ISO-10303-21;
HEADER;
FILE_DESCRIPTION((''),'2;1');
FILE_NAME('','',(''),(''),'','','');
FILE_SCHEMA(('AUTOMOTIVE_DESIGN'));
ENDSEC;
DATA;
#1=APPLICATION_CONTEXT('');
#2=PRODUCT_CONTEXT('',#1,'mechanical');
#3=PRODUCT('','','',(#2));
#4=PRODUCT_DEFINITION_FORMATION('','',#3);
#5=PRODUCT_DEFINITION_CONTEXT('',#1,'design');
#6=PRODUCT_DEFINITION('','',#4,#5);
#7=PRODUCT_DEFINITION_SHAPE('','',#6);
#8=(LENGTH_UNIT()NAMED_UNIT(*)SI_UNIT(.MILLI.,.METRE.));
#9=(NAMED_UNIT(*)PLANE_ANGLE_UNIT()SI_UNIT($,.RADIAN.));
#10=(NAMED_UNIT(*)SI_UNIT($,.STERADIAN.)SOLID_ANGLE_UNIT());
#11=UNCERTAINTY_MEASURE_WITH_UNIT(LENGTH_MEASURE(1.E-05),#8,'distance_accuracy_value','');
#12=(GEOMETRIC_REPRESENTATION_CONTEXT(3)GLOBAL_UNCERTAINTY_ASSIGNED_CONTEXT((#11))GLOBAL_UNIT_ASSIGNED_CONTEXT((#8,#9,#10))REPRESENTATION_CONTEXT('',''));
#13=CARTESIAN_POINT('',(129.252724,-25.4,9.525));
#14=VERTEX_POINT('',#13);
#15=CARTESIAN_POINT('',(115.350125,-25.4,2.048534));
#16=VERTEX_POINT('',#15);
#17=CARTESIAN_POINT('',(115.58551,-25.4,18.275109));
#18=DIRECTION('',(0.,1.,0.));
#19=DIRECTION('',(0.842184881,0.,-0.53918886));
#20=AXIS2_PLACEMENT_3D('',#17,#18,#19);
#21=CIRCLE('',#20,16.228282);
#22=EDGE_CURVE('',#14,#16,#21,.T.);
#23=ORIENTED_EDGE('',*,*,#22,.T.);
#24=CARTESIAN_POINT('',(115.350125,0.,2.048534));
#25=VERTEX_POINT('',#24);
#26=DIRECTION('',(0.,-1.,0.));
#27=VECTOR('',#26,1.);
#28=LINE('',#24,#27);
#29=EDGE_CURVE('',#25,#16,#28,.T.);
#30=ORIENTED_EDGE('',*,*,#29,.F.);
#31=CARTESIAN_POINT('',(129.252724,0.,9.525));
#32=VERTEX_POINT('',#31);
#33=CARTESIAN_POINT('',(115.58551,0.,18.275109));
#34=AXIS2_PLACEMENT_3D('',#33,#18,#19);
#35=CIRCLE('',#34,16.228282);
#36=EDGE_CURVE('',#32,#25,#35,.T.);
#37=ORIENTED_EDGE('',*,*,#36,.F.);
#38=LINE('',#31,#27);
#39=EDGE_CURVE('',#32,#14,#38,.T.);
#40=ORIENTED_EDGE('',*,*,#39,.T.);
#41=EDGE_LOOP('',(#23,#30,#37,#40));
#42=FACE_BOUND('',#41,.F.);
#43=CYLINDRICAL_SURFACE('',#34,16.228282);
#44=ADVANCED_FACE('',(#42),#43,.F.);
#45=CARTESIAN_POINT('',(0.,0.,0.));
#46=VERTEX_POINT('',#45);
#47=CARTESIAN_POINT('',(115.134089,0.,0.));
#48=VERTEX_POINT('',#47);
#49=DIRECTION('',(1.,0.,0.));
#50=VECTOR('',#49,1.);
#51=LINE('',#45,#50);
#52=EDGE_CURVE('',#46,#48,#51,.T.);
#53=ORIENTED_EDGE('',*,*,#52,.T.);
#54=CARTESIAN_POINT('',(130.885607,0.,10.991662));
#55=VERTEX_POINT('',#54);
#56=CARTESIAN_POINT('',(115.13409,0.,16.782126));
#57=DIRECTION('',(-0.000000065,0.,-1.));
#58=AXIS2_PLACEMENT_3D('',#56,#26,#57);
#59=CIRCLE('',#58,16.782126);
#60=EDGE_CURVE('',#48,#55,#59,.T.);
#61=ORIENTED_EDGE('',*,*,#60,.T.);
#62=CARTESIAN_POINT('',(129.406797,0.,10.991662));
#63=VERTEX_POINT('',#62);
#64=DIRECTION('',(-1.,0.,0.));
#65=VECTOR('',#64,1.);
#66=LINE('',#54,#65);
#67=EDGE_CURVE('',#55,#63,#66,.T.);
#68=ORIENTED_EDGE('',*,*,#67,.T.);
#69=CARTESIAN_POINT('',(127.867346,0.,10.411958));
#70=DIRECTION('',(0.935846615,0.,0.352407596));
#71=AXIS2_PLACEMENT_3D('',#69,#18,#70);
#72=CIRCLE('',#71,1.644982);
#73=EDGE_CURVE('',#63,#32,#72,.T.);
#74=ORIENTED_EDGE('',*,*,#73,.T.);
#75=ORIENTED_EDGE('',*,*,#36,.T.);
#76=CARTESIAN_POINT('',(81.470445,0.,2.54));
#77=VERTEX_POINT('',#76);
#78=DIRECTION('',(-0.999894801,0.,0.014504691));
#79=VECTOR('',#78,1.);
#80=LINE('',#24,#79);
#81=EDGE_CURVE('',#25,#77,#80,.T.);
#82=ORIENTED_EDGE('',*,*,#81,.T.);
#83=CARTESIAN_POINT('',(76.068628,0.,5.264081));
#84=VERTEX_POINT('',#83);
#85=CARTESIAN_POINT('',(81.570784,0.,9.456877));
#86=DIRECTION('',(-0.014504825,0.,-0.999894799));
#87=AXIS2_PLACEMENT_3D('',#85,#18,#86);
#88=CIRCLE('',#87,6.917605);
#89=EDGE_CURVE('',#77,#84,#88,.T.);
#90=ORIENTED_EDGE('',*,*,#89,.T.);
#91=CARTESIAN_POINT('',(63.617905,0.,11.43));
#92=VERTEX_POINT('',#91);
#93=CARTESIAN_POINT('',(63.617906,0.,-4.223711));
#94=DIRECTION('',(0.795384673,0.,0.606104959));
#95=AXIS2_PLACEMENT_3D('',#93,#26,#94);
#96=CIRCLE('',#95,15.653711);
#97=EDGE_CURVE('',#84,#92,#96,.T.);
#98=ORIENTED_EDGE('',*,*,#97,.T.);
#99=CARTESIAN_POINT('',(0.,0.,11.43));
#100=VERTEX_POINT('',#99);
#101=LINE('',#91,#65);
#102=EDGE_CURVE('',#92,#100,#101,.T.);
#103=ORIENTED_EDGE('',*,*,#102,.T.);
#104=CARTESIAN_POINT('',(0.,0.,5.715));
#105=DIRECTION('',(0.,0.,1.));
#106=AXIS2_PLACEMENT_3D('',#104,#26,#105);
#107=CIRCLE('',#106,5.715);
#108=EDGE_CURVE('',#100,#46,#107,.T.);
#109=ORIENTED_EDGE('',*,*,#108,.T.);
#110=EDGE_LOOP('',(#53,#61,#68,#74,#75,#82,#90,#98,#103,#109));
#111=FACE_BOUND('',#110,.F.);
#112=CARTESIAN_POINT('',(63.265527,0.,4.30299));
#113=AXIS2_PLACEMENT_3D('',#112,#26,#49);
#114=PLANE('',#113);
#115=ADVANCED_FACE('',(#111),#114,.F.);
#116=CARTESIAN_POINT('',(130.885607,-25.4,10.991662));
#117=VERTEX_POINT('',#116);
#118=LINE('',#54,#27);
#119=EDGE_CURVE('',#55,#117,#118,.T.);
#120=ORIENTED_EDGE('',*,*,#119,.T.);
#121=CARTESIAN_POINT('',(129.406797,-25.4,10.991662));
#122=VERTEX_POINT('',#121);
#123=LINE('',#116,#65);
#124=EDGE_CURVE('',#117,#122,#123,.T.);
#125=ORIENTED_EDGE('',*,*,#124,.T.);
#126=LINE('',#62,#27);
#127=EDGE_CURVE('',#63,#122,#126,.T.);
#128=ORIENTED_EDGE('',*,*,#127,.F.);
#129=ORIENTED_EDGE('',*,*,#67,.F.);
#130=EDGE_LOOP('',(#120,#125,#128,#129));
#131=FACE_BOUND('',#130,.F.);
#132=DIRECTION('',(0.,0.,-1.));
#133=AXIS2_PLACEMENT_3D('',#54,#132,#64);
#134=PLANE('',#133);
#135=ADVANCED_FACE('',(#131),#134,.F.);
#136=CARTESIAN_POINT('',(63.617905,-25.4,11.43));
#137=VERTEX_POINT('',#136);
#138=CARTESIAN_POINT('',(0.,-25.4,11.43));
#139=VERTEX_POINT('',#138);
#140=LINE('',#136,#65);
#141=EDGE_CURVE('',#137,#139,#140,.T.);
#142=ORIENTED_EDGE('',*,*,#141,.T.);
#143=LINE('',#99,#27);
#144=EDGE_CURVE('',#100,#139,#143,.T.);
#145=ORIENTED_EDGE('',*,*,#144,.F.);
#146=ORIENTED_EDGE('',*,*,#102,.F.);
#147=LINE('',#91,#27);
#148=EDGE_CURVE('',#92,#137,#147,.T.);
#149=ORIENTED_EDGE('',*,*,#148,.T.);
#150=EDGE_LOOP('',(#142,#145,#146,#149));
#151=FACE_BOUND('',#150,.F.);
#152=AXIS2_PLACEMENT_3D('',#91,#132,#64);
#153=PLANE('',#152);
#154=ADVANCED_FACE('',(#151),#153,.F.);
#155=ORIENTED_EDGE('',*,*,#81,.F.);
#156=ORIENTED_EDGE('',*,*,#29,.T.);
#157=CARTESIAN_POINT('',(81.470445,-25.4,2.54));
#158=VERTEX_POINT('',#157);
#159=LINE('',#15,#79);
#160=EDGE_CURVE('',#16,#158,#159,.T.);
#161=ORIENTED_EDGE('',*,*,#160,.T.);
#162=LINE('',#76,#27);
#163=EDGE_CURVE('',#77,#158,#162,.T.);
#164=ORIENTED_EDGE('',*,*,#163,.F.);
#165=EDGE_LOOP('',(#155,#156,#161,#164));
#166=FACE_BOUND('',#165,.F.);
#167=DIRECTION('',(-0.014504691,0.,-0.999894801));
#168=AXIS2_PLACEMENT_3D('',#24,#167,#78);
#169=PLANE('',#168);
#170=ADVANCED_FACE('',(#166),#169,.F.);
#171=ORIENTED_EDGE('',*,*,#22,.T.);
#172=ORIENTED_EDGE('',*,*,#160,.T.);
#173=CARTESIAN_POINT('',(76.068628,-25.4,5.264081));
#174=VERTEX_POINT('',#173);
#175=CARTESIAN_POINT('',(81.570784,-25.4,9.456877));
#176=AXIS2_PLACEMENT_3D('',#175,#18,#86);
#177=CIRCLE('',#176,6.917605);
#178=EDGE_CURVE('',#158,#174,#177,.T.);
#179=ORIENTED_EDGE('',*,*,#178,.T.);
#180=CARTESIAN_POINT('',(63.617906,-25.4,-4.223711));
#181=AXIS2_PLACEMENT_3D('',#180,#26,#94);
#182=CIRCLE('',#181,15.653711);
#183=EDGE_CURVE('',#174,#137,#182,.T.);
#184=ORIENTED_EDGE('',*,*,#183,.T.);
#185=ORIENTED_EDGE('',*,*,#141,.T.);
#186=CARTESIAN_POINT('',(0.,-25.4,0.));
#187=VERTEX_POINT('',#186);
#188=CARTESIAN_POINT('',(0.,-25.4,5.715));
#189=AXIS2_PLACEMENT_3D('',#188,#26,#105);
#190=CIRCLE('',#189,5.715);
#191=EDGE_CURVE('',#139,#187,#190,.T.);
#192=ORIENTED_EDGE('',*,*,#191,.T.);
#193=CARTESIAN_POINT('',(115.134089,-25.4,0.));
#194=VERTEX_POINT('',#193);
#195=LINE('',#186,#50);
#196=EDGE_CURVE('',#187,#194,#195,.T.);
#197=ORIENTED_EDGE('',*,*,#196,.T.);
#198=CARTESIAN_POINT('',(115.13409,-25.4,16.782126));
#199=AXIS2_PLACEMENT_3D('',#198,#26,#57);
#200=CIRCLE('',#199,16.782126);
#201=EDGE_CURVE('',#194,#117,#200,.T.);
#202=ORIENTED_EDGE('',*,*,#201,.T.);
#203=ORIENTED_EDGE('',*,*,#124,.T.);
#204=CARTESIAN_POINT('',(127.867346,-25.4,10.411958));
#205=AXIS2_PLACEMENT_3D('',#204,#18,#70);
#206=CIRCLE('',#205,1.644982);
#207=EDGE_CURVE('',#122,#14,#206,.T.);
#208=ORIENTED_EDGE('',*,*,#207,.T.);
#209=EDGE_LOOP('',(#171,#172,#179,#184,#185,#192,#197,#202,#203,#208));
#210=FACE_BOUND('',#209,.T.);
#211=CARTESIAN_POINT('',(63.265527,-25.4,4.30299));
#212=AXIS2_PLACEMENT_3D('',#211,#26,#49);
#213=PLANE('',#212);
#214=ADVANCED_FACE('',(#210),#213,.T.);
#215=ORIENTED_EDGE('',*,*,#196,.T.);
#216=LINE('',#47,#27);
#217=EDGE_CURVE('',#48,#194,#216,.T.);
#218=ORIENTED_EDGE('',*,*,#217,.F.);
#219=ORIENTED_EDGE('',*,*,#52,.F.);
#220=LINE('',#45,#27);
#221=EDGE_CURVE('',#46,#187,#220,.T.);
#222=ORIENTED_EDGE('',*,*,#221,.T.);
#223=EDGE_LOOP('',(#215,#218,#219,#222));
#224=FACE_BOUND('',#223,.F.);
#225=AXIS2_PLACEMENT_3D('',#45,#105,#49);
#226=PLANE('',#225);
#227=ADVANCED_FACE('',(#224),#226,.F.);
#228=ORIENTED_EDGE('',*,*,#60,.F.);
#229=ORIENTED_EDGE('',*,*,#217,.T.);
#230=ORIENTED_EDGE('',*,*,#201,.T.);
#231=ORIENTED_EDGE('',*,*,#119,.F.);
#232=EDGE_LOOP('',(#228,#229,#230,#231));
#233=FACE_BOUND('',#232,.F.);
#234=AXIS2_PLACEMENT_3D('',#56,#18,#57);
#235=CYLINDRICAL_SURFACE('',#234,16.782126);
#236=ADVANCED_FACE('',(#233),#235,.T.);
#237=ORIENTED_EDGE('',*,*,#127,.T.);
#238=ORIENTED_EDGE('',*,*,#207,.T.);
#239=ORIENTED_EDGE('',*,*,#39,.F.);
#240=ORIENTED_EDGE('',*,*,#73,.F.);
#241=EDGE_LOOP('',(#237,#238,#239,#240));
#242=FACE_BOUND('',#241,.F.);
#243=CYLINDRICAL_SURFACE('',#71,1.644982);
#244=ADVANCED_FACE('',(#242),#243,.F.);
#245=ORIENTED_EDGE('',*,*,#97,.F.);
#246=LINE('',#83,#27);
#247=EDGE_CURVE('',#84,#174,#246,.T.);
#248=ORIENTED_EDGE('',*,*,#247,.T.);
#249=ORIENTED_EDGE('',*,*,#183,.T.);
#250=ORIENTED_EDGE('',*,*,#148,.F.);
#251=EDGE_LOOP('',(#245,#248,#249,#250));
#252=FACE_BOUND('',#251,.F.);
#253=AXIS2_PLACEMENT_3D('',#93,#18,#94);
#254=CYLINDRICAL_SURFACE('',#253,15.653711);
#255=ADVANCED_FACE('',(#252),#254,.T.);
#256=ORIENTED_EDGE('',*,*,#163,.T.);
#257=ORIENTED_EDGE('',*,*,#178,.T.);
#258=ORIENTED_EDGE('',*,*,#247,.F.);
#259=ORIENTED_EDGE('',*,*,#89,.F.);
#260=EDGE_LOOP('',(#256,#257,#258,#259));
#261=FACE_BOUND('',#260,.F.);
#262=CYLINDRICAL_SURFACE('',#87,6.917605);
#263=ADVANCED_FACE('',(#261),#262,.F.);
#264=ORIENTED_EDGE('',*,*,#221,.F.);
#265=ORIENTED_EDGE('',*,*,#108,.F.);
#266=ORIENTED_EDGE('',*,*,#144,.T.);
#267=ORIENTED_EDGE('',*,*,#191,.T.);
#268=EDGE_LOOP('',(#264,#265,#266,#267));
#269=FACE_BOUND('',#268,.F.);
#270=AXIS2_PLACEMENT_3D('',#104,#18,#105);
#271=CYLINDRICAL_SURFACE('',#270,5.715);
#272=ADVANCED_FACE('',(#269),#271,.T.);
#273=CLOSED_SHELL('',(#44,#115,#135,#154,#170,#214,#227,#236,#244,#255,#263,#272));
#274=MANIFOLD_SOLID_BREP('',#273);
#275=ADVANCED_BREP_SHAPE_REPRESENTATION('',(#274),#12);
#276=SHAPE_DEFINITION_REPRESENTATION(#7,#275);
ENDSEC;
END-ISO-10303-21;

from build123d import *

# Parameters (mm, degrees)
F1_DEPTH = 25.4


with BuildPart() as f1:
    # F0 (on Front) → F1 (new body)
    with BuildSketch(Plane.XZ):
        with BuildLine():
            Line((63.617905, 11.43), (0, 11.43))
            ThreePointArc((0, 11.43), (-5.715, 5.715), (0, 0))
            Line((0, 0), (115.134089, 0))
            ThreePointArc((115.134089, 0), (124.737825, 3.019567), (130.885607, 10.991662))
            Line((130.885607, 10.991662), (129.406797, 10.991662))
            ThreePointArc((129.406797, 10.991662), (129.503326, 10.240098), (129.252724, 9.525))
            ThreePointArc((129.252724, 9.525), (123.271725, 3.98248), (115.350125, 2.048534))
            Line((115.350125, 2.048534), (81.470445, 2.54))
            ThreePointArc((81.470445, 2.54), (78.455958, 3.280218), (76.068628, 5.264081))
            ThreePointArc((76.068628, 5.264081), (70.56483, 9.80408), (63.617905, 11.43))
        make_face()
    extrude(amount=F1_DEPTH)


solid = f1.part
